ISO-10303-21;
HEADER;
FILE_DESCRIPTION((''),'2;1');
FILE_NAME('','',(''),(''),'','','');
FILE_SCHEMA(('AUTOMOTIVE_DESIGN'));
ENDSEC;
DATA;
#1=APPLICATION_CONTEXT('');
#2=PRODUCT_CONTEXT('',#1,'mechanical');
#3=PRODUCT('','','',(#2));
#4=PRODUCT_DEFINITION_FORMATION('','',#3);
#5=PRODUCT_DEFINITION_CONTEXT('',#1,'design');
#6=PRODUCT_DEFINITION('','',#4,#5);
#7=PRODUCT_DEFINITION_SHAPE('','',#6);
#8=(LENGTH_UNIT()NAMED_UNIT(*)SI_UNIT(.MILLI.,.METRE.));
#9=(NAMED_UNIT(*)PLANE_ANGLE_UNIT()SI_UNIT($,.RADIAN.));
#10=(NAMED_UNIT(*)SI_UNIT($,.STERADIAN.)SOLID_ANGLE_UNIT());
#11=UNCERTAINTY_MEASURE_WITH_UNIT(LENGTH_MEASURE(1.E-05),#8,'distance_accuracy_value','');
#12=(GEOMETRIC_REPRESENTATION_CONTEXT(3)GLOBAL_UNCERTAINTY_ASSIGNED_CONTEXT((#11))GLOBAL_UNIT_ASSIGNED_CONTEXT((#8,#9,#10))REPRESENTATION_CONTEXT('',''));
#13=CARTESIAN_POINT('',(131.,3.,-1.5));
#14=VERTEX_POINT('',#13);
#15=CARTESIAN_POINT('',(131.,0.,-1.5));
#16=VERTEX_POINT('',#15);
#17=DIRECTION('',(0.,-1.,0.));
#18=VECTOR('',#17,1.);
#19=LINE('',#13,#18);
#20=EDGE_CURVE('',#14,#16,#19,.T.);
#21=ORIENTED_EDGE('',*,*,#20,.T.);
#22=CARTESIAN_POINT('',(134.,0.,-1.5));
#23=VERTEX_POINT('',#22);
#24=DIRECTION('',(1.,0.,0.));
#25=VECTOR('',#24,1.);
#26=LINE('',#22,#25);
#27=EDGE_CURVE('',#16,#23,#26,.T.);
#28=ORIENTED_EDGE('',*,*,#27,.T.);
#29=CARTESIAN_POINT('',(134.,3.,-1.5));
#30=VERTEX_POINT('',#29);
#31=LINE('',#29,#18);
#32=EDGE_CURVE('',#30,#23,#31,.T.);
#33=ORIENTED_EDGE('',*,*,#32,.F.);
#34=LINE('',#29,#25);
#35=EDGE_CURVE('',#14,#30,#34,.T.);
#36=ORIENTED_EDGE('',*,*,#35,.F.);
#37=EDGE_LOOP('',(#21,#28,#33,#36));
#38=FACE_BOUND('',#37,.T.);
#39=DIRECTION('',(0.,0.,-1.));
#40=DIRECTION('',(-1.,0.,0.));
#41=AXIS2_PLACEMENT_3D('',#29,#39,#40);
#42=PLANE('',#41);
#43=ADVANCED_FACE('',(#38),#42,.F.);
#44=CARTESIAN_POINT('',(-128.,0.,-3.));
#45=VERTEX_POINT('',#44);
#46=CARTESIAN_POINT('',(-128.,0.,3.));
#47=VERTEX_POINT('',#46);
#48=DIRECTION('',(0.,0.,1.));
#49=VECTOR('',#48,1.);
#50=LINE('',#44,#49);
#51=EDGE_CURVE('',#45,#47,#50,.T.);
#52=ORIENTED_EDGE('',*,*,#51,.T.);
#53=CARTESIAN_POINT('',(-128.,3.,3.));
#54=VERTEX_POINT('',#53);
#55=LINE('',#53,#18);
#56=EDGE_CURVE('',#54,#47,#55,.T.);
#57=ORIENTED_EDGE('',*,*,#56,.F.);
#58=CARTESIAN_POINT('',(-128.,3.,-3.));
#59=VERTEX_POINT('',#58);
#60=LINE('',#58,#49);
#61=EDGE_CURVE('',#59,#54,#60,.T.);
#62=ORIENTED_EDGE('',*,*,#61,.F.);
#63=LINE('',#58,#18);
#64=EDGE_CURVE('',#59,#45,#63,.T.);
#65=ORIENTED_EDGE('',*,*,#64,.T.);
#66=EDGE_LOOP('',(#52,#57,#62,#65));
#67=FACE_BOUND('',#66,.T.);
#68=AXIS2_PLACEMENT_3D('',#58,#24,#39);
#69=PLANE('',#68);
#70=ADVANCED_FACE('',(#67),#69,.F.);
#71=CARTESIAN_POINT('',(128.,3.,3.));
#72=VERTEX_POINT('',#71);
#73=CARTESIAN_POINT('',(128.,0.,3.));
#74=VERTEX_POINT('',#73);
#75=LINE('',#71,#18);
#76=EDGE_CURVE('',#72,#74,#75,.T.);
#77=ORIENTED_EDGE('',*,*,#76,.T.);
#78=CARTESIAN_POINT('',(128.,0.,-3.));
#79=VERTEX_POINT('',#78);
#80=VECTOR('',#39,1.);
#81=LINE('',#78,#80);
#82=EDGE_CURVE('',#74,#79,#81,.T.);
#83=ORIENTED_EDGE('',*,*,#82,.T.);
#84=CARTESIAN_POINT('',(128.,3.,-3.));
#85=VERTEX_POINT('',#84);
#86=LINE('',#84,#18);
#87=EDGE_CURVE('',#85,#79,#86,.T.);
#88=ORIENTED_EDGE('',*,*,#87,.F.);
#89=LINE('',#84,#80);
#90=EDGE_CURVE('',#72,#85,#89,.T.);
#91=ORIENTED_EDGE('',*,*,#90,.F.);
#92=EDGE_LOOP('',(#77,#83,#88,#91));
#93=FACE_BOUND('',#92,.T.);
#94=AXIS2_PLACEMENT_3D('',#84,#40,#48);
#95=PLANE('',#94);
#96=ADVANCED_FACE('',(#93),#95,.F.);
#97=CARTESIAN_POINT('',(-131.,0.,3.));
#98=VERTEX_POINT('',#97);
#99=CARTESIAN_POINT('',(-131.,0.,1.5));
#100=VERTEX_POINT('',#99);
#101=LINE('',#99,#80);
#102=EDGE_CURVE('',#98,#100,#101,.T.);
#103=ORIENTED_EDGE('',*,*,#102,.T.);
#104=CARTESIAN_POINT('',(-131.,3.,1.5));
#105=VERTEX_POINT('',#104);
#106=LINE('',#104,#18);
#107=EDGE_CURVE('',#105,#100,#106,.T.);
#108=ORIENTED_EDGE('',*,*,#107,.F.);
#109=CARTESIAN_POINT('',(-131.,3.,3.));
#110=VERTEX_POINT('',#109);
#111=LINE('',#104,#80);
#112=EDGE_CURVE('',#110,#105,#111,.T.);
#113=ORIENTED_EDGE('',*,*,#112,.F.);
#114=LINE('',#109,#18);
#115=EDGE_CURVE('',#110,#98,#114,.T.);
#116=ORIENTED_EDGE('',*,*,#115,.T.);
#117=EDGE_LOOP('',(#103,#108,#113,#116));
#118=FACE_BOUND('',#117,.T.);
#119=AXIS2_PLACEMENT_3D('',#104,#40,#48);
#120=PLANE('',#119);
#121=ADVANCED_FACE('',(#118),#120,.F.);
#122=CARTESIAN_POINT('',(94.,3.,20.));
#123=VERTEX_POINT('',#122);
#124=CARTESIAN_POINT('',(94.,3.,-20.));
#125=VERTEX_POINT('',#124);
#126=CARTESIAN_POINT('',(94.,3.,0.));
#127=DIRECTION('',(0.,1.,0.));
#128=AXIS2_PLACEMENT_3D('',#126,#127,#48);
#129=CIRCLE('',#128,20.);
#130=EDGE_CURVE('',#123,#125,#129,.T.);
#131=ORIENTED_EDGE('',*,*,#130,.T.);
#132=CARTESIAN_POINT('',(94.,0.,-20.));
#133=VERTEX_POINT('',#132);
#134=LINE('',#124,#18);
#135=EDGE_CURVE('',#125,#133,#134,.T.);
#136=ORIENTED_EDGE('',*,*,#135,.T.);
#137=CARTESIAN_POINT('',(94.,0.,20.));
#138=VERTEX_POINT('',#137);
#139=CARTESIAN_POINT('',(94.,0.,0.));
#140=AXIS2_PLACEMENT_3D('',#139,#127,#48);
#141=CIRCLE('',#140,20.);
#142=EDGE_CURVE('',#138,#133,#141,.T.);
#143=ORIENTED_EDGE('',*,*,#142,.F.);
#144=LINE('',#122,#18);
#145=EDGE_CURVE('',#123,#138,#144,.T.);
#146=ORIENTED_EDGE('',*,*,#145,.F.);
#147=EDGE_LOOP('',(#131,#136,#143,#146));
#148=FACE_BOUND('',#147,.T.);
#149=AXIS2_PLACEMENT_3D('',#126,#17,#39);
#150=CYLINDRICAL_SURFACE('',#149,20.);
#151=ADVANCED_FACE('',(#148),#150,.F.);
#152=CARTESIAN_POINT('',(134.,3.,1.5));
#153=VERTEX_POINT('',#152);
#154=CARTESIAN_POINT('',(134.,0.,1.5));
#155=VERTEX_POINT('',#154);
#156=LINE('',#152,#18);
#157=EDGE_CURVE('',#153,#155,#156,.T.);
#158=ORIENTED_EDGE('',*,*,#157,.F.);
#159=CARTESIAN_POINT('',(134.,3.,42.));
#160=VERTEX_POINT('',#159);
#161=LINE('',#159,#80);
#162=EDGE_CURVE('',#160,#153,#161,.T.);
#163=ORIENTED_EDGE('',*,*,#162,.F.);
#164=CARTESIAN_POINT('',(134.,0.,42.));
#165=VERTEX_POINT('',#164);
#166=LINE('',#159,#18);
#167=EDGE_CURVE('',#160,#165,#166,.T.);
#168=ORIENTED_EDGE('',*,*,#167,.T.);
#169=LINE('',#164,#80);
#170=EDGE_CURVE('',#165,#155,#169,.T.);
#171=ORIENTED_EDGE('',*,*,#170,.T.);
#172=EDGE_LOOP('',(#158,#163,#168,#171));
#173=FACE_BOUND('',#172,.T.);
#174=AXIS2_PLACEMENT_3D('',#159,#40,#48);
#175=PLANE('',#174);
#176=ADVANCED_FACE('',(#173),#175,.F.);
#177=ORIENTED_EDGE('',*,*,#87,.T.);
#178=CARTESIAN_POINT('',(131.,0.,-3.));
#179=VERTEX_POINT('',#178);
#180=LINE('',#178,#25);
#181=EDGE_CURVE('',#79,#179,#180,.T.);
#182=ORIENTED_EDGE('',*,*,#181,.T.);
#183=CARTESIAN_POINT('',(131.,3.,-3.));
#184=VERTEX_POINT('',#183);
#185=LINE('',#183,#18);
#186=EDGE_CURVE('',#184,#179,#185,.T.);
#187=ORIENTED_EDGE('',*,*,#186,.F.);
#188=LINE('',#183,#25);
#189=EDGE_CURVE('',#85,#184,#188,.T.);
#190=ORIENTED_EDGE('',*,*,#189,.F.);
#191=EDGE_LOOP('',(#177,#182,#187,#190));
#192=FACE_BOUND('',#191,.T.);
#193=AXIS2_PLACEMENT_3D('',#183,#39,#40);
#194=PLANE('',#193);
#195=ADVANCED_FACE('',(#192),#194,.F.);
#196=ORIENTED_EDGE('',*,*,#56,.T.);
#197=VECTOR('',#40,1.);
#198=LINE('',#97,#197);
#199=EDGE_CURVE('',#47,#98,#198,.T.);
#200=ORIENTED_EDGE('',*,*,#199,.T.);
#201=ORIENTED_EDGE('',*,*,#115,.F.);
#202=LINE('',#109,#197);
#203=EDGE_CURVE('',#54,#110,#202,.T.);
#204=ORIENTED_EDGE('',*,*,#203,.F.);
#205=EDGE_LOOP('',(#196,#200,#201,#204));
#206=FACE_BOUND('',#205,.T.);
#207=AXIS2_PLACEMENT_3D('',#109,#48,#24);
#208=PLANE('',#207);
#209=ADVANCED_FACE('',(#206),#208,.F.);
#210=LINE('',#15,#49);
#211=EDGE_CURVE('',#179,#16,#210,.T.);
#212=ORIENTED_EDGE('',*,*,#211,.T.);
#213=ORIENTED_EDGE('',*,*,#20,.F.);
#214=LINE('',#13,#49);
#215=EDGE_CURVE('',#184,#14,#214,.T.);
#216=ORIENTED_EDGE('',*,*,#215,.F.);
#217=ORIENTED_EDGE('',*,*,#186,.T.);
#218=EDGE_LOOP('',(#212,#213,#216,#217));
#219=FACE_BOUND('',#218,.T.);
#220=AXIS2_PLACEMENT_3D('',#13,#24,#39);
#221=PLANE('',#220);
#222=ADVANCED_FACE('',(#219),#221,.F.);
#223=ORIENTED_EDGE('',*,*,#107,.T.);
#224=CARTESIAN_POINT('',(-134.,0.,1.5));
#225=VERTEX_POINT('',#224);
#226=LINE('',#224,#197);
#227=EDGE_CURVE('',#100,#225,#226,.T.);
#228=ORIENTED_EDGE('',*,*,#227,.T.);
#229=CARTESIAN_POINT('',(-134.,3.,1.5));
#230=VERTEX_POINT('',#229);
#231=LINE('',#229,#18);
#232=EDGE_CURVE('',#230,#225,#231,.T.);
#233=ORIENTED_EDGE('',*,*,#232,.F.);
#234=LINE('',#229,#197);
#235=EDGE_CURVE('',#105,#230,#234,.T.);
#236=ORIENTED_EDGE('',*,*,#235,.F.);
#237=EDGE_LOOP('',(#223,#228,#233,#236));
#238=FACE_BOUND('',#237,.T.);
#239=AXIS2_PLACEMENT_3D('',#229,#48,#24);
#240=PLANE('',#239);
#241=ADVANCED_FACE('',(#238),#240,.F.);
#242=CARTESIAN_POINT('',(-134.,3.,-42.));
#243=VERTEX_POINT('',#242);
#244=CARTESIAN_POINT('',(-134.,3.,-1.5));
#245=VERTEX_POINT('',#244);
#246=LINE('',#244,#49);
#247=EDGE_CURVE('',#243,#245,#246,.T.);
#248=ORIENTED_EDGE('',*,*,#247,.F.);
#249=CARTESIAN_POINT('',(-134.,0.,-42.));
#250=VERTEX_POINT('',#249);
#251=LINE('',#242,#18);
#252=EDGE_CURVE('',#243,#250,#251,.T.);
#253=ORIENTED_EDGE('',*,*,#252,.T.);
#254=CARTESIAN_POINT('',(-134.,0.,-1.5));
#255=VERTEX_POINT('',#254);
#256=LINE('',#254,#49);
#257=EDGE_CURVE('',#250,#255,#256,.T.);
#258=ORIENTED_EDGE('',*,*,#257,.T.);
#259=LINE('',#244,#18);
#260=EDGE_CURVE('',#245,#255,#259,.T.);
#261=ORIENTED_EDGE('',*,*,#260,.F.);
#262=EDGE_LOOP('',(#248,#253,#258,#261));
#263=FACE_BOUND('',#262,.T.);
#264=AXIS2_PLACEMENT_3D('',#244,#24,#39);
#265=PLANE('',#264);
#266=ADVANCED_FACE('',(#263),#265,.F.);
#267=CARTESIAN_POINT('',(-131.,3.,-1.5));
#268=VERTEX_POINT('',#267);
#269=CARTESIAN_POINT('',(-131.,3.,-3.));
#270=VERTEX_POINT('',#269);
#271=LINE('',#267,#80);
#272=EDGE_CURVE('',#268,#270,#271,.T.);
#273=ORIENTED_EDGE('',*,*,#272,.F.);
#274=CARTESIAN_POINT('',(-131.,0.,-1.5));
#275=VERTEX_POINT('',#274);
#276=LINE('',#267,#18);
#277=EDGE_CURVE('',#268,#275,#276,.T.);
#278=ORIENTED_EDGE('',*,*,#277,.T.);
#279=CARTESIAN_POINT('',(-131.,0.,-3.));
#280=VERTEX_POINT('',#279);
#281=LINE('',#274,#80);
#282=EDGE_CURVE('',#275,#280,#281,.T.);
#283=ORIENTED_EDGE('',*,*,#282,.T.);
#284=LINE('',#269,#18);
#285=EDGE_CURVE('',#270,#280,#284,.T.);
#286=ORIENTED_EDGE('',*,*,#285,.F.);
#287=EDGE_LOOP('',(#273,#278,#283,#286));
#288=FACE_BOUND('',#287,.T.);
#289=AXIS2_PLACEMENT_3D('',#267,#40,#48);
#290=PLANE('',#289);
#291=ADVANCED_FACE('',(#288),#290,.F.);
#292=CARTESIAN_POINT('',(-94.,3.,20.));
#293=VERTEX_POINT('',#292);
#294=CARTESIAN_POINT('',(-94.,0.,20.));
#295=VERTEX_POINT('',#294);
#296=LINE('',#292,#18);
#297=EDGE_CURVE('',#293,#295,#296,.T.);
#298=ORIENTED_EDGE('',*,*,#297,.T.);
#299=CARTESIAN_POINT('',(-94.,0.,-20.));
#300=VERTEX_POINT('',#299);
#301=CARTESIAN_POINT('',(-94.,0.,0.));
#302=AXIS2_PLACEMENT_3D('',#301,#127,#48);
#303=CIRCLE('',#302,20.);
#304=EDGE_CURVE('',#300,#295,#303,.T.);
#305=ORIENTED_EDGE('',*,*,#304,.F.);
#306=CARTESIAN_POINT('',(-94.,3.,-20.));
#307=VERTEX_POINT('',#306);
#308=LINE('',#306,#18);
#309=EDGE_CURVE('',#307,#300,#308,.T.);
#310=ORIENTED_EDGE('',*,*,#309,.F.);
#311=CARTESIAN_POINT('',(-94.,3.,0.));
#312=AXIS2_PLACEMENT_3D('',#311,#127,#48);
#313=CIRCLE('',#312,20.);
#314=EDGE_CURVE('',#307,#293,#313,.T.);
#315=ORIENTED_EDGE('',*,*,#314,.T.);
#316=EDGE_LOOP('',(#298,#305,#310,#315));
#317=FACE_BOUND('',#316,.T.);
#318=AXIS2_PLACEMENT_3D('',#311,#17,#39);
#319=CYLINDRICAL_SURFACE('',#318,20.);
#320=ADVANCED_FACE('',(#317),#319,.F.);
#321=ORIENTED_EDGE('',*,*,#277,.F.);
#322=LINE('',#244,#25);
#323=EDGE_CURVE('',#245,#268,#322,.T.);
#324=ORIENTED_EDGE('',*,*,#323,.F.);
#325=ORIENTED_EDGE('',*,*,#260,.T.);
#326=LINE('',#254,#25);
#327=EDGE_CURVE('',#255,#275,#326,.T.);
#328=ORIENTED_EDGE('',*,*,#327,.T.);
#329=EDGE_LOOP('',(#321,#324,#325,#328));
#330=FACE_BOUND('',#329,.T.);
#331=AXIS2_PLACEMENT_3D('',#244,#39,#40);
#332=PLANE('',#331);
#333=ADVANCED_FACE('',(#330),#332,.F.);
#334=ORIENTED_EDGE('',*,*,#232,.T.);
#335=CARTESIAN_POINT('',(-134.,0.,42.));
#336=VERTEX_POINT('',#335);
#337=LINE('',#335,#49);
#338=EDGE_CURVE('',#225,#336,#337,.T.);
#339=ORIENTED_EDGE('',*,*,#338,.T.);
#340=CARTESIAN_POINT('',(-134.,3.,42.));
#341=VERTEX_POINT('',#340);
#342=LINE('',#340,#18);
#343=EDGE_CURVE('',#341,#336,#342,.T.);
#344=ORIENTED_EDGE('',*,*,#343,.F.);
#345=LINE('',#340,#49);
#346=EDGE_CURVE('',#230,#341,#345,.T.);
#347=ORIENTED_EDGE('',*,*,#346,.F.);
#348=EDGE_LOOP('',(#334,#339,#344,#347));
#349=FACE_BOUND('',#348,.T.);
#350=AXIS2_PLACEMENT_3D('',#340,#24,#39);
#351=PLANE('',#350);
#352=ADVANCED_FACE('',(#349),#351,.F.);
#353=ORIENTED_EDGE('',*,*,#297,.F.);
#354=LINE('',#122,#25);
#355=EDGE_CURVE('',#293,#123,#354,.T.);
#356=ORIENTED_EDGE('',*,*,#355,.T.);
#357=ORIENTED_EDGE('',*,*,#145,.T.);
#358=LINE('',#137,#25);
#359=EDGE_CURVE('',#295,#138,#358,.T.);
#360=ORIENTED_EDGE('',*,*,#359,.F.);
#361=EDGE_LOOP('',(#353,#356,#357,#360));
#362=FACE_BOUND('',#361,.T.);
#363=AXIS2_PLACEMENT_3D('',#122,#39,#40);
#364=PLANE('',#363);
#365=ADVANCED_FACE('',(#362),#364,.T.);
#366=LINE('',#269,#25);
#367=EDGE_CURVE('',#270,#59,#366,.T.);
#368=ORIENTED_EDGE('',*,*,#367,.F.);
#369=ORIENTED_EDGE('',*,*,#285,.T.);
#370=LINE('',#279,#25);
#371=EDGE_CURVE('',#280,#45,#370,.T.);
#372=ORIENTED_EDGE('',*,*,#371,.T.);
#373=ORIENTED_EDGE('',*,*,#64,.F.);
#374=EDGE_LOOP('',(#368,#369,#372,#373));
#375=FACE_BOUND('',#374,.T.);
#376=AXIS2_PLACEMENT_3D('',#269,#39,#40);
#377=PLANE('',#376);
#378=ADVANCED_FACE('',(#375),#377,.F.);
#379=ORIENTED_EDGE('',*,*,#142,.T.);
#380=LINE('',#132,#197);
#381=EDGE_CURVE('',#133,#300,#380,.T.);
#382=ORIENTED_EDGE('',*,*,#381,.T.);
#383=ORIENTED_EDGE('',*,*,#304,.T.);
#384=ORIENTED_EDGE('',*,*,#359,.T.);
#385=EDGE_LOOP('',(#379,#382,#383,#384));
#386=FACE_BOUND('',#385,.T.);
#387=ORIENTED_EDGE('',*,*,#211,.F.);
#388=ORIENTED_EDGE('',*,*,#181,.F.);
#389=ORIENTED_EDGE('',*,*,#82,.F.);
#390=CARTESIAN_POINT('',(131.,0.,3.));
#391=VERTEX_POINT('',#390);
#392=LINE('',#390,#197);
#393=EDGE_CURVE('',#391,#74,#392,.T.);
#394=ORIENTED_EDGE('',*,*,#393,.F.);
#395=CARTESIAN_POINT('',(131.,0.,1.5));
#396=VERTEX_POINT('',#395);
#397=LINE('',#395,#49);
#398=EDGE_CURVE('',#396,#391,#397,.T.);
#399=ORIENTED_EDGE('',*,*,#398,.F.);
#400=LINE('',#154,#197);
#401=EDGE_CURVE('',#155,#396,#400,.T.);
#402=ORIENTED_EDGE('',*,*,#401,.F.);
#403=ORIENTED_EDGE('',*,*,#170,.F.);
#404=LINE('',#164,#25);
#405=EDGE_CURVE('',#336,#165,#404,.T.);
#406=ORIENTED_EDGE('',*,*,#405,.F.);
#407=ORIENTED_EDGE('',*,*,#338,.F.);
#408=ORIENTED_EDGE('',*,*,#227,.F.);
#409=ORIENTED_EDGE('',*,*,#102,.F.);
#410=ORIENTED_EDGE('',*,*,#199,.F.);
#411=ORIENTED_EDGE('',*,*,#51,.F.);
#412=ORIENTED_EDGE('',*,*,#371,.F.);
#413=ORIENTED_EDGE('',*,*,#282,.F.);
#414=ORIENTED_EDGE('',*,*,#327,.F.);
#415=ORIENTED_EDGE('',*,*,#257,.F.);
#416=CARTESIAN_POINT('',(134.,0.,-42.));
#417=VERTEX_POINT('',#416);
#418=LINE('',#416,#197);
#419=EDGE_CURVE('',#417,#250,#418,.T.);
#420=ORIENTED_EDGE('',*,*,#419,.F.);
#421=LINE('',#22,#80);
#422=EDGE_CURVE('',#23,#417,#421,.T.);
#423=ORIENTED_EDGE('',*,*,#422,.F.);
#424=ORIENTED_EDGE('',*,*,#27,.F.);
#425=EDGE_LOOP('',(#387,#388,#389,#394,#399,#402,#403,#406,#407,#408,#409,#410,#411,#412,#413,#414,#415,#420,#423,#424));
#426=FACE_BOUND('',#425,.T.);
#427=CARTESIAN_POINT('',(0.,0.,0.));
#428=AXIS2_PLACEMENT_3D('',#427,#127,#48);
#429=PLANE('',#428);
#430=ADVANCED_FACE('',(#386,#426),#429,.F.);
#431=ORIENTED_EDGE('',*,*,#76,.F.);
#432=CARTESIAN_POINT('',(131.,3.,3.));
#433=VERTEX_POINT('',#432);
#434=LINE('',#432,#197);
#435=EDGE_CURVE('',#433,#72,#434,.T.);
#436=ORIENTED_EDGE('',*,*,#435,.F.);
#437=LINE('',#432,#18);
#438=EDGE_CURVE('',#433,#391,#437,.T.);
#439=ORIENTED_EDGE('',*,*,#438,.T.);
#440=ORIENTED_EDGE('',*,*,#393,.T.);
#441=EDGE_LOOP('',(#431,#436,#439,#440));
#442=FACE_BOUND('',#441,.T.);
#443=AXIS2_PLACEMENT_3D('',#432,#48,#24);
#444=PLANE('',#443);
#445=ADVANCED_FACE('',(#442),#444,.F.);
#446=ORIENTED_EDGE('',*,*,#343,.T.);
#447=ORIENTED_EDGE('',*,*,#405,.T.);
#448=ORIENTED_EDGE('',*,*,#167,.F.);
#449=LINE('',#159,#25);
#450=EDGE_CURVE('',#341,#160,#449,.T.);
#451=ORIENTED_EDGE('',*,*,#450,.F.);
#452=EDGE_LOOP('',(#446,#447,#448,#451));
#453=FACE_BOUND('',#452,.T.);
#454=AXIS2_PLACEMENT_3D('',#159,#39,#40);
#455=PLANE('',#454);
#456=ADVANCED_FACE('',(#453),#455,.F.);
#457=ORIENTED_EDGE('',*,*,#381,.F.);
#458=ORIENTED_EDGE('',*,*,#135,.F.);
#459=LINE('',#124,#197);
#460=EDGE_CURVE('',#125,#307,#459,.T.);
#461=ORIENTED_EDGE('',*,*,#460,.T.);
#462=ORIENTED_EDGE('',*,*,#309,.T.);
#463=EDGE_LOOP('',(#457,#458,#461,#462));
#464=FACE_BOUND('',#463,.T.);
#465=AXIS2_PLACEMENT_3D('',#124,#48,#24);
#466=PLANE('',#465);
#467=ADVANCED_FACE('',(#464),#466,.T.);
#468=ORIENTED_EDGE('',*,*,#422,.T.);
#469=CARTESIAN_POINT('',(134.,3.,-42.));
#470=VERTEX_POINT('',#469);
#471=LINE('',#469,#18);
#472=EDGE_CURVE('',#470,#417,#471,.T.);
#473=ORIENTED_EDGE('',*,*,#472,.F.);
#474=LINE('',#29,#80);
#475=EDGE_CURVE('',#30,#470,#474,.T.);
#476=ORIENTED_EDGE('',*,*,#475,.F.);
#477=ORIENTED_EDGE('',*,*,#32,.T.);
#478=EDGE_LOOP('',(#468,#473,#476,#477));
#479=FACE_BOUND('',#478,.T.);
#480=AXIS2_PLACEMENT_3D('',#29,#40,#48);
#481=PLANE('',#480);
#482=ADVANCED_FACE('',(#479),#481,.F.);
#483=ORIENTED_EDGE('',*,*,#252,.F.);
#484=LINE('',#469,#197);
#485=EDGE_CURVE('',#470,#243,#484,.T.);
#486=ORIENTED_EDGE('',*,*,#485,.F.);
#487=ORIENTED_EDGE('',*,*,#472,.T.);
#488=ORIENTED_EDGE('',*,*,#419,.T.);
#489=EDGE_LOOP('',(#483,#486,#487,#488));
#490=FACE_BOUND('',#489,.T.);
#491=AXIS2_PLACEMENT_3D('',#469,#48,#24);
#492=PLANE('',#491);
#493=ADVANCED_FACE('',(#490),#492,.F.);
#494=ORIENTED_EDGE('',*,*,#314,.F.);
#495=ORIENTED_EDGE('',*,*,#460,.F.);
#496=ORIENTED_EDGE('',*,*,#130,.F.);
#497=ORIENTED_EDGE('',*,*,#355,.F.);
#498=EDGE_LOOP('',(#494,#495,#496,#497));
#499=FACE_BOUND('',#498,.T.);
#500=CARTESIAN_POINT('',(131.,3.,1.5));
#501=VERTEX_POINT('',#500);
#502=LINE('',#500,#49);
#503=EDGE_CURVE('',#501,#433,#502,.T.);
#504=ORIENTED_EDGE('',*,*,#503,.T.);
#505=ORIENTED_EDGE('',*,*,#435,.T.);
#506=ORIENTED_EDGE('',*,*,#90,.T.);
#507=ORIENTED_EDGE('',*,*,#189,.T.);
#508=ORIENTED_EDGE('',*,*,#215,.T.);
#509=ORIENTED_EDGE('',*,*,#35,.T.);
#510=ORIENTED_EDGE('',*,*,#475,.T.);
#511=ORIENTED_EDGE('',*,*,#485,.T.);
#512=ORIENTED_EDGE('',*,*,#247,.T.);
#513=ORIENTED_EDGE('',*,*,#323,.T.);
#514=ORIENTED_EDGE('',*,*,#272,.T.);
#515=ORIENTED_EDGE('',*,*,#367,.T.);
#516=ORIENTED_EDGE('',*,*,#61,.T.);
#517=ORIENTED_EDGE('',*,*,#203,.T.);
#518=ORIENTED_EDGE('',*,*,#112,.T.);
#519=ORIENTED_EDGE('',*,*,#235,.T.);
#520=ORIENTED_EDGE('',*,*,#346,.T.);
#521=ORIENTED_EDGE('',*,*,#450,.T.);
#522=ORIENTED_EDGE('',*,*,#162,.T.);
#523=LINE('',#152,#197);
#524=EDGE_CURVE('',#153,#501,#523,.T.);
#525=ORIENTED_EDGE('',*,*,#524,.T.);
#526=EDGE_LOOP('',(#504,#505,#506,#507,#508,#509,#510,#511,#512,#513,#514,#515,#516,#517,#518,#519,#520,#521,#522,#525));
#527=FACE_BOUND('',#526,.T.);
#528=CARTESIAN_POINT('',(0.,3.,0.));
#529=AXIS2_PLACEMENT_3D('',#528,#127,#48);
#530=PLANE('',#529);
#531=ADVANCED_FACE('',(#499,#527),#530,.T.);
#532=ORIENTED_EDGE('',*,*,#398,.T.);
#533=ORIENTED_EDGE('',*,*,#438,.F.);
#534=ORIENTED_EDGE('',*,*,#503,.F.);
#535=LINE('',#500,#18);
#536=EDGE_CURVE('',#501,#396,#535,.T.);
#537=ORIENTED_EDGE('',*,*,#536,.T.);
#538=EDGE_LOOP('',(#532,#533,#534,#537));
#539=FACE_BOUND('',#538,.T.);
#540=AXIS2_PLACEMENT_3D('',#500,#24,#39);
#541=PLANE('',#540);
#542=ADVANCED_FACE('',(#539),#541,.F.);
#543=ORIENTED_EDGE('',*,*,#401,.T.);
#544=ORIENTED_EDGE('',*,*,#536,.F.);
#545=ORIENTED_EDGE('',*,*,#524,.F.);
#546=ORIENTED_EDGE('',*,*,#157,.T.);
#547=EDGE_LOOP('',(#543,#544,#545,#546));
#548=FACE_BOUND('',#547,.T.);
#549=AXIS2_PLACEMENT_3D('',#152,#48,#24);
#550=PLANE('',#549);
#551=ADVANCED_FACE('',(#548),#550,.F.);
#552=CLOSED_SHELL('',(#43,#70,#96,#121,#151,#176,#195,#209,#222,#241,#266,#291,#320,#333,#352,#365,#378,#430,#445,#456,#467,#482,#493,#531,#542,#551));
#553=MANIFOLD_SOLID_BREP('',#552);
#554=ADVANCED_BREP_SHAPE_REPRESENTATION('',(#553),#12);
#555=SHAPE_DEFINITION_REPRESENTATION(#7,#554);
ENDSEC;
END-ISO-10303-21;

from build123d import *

# Parameters (mm, degrees)
SALIENTE_EXTRUIR2_DEPTH = 3


with BuildPart() as part:
    # Croquis1 → Saliente-Extruir2 (new body)
    with BuildSketch(Plane(origin=(0, 0, 0), x_dir=(1, 0, 0), z_dir=(0, 1, 0))):
        Polygon((134, -42), (-134, -42), (-134, -1.5), (-131, -1.5), (-131, -3), (-128, -3), (-128, 3), (-131, 3), (-131, 1.5), (-134, 1.5), (-134, 42), (134, 42), (134, 1.5), (131, 1.5), (131, 3), (128, 3), (128, -3), (131, -3), (131, -1.5), (134, -1.5), align=None)
        with BuildLine():
            Line((94, -20), (-94, -20))
            ThreePointArc((-94, -20), (-114, 0), (-94, 20))
            Line((-94, 20), (94, 20))
            ThreePointArc((94, 20), (114, 0), (94, -20))
        make_face(mode=Mode.SUBTRACT)
    extrude(amount=SALIENTE_EXTRUIR2_DEPTH)


solid = part.part
